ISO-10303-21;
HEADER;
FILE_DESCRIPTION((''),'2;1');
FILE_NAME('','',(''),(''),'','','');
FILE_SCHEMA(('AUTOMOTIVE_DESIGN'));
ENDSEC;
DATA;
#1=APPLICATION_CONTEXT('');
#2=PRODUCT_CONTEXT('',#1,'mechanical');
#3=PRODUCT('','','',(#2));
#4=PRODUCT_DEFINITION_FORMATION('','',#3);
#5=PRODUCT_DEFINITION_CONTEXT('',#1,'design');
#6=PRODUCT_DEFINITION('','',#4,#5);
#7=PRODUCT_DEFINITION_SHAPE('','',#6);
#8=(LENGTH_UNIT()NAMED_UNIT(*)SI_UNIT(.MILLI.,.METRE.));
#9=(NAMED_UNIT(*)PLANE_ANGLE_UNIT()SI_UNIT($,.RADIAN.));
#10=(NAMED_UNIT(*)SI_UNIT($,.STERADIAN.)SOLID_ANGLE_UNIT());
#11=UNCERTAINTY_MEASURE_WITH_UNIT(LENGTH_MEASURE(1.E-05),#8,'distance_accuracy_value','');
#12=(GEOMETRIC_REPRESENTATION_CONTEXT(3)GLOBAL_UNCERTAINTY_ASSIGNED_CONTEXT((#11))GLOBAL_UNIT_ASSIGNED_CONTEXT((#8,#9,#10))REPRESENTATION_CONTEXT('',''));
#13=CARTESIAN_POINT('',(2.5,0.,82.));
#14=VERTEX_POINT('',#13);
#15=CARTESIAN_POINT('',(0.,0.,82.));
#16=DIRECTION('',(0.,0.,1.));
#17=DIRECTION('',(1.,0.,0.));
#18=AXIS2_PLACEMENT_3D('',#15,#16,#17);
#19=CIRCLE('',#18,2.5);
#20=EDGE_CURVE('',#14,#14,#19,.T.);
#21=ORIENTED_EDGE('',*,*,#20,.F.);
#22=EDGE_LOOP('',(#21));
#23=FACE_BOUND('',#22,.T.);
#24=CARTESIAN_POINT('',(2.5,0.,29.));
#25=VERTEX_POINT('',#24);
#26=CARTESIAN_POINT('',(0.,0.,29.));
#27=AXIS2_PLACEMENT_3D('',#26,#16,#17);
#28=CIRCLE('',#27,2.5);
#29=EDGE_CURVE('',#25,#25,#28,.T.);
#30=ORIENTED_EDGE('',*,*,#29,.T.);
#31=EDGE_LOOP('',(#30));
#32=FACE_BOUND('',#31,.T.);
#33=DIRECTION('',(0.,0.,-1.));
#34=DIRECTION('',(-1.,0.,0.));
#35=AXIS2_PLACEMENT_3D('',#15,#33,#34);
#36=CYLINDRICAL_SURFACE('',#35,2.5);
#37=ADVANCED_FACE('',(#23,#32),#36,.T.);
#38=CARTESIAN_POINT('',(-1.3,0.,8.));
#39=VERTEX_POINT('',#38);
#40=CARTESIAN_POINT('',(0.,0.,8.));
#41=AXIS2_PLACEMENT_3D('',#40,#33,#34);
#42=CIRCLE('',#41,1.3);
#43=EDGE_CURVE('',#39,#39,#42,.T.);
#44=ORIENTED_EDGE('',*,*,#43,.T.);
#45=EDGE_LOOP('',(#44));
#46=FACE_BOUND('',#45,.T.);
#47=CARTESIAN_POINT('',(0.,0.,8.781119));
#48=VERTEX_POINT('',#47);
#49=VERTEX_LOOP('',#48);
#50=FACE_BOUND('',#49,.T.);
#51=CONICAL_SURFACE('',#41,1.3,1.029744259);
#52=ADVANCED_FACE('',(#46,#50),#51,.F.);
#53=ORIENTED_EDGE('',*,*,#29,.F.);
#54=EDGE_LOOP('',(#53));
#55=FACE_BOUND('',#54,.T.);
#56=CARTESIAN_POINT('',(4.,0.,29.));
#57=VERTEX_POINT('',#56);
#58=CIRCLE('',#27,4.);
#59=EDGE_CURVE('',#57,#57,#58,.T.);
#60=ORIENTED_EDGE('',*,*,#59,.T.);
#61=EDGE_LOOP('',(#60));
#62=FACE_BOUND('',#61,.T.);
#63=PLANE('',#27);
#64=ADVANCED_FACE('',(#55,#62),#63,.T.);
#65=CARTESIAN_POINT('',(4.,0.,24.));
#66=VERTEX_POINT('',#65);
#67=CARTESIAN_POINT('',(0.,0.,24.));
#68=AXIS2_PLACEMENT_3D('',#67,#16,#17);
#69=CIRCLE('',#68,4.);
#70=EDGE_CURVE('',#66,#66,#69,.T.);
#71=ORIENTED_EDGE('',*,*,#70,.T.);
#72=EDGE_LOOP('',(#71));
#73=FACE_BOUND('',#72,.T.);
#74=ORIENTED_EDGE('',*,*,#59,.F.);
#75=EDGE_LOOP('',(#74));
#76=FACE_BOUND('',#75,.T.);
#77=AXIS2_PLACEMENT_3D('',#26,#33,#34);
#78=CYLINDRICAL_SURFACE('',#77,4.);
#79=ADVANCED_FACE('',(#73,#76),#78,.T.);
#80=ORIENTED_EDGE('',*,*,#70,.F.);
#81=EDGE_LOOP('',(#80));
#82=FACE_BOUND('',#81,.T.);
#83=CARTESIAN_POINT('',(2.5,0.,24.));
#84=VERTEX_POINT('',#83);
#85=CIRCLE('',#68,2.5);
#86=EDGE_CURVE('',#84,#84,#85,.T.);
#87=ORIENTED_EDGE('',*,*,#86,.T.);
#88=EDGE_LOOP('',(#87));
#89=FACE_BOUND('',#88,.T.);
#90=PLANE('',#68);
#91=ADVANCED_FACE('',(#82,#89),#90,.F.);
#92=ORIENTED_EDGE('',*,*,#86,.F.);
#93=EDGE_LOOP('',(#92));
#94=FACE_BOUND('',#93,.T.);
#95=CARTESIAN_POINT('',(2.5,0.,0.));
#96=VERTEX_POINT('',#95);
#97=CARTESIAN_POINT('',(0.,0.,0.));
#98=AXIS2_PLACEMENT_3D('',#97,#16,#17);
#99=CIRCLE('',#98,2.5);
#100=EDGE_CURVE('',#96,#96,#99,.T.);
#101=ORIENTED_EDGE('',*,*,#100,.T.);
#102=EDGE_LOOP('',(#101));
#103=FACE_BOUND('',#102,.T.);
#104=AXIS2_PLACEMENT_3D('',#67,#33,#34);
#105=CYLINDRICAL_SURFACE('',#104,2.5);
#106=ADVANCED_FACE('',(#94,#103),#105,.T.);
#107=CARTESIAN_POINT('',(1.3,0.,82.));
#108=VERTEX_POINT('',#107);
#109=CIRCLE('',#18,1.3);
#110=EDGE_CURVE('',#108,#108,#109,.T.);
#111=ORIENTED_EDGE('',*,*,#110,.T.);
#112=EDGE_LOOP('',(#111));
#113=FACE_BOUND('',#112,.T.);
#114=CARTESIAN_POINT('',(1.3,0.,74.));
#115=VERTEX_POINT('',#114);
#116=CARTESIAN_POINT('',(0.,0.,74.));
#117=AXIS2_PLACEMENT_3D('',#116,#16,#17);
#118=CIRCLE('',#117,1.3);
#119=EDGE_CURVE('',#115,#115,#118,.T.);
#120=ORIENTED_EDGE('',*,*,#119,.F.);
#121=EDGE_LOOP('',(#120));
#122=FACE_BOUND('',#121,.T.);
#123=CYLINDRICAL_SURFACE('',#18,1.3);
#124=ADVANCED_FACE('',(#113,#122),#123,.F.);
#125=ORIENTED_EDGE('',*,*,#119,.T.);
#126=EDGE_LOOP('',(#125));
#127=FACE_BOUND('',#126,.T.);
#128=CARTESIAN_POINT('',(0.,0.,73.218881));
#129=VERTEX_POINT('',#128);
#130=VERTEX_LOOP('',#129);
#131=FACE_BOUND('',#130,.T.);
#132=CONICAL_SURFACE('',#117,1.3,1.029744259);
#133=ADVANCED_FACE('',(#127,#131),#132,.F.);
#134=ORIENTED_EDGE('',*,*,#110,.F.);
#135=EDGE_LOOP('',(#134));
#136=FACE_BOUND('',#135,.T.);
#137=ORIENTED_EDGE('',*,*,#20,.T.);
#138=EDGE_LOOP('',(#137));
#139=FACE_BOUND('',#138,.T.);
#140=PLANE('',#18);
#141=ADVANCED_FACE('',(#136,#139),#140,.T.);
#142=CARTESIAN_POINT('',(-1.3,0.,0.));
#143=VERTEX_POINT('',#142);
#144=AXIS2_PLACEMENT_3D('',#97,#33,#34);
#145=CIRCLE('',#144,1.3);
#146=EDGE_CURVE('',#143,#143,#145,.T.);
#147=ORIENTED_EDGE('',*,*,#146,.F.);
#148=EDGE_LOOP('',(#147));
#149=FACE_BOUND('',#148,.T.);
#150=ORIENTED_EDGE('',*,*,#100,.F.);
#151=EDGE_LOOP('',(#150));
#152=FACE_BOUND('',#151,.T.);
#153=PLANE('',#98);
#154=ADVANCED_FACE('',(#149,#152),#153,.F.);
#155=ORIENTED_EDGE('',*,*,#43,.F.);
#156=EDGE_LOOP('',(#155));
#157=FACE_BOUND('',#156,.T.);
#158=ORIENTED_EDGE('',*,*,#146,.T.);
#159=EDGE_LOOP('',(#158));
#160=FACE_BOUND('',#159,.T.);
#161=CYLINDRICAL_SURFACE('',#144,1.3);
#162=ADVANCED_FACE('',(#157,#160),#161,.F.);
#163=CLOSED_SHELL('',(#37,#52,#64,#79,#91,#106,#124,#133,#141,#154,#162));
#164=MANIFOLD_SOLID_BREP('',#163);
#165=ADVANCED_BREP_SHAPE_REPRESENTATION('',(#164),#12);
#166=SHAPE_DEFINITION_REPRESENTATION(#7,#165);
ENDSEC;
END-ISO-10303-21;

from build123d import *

# Parameters (mm, degrees)
SKETCH1_R                 = 2.5
BOSS_EXTRUDE1_DEPTH       = 24
SKETCH2_R                 = 4
BOSS_EXTRUDE2_DEPTH       = 5
SKETCH3_R                 = 2.5
BOSS_EXTRUDE3_DEPTH       = 53
M3X0_5_TAPPED_HOLE1_D     = 2.6
M3X0_5_TAPPED_HOLE1_DEPTH = 8
M3X0_5_TAPPED_HOLE1_TIP   = 0.781118805
M3X0_5_TAPPED_HOLE2_D     = 2.6
M3X0_5_TAPPED_HOLE2_DEPTH = 8
M3X0_5_TAPPED_HOLE2_TIP   = 0.781118805


with BuildPart() as part:
    # Sketch1 → Boss-Extrude1 (new body)
    with BuildSketch(Plane.XY):
        Circle(SKETCH1_R)
    extrude(amount=BOSS_EXTRUDE1_DEPTH)

    # Sketch2 → Boss-Extrude2 (add)
    with BuildSketch(Plane.XY.offset(24)):
        Circle(SKETCH2_R)
    extrude(amount=BOSS_EXTRUDE2_DEPTH)

    # Sketch3 → Boss-Extrude3 (add)
    with BuildSketch(Plane.XY.offset(29)):
        Circle(SKETCH3_R)
    extrude(amount=BOSS_EXTRUDE3_DEPTH)

    # M3x0.5 Tapped Hole1
    with Locations(Plane.XY.offset(82)):
        with Locations((0, 0)):
            Hole(M3X0_5_TAPPED_HOLE1_D / 2, depth=M3X0_5_TAPPED_HOLE1_DEPTH)
            with Locations((0, 0, -(M3X0_5_TAPPED_HOLE1_DEPTH + M3X0_5_TAPPED_HOLE1_TIP / 2))):  # 118° drill point
                Cone(0, M3X0_5_TAPPED_HOLE1_D / 2, M3X0_5_TAPPED_HOLE1_TIP, mode=Mode.SUBTRACT)

    # M3x0.5 Tapped Hole2
    with Locations(Plane(origin=(0, 0, 0), x_dir=(-1, 0, 0), z_dir=(0, 0, -1))):
        with Locations((0, 0)):
            Hole(M3X0_5_TAPPED_HOLE2_D / 2, depth=M3X0_5_TAPPED_HOLE2_DEPTH)
            with Locations((0, 0, -(M3X0_5_TAPPED_HOLE2_DEPTH + M3X0_5_TAPPED_HOLE2_TIP / 2))):  # 118° drill point
                Cone(0, M3X0_5_TAPPED_HOLE2_D / 2, M3X0_5_TAPPED_HOLE2_TIP, mode=Mode.SUBTRACT)


solid = part.part
